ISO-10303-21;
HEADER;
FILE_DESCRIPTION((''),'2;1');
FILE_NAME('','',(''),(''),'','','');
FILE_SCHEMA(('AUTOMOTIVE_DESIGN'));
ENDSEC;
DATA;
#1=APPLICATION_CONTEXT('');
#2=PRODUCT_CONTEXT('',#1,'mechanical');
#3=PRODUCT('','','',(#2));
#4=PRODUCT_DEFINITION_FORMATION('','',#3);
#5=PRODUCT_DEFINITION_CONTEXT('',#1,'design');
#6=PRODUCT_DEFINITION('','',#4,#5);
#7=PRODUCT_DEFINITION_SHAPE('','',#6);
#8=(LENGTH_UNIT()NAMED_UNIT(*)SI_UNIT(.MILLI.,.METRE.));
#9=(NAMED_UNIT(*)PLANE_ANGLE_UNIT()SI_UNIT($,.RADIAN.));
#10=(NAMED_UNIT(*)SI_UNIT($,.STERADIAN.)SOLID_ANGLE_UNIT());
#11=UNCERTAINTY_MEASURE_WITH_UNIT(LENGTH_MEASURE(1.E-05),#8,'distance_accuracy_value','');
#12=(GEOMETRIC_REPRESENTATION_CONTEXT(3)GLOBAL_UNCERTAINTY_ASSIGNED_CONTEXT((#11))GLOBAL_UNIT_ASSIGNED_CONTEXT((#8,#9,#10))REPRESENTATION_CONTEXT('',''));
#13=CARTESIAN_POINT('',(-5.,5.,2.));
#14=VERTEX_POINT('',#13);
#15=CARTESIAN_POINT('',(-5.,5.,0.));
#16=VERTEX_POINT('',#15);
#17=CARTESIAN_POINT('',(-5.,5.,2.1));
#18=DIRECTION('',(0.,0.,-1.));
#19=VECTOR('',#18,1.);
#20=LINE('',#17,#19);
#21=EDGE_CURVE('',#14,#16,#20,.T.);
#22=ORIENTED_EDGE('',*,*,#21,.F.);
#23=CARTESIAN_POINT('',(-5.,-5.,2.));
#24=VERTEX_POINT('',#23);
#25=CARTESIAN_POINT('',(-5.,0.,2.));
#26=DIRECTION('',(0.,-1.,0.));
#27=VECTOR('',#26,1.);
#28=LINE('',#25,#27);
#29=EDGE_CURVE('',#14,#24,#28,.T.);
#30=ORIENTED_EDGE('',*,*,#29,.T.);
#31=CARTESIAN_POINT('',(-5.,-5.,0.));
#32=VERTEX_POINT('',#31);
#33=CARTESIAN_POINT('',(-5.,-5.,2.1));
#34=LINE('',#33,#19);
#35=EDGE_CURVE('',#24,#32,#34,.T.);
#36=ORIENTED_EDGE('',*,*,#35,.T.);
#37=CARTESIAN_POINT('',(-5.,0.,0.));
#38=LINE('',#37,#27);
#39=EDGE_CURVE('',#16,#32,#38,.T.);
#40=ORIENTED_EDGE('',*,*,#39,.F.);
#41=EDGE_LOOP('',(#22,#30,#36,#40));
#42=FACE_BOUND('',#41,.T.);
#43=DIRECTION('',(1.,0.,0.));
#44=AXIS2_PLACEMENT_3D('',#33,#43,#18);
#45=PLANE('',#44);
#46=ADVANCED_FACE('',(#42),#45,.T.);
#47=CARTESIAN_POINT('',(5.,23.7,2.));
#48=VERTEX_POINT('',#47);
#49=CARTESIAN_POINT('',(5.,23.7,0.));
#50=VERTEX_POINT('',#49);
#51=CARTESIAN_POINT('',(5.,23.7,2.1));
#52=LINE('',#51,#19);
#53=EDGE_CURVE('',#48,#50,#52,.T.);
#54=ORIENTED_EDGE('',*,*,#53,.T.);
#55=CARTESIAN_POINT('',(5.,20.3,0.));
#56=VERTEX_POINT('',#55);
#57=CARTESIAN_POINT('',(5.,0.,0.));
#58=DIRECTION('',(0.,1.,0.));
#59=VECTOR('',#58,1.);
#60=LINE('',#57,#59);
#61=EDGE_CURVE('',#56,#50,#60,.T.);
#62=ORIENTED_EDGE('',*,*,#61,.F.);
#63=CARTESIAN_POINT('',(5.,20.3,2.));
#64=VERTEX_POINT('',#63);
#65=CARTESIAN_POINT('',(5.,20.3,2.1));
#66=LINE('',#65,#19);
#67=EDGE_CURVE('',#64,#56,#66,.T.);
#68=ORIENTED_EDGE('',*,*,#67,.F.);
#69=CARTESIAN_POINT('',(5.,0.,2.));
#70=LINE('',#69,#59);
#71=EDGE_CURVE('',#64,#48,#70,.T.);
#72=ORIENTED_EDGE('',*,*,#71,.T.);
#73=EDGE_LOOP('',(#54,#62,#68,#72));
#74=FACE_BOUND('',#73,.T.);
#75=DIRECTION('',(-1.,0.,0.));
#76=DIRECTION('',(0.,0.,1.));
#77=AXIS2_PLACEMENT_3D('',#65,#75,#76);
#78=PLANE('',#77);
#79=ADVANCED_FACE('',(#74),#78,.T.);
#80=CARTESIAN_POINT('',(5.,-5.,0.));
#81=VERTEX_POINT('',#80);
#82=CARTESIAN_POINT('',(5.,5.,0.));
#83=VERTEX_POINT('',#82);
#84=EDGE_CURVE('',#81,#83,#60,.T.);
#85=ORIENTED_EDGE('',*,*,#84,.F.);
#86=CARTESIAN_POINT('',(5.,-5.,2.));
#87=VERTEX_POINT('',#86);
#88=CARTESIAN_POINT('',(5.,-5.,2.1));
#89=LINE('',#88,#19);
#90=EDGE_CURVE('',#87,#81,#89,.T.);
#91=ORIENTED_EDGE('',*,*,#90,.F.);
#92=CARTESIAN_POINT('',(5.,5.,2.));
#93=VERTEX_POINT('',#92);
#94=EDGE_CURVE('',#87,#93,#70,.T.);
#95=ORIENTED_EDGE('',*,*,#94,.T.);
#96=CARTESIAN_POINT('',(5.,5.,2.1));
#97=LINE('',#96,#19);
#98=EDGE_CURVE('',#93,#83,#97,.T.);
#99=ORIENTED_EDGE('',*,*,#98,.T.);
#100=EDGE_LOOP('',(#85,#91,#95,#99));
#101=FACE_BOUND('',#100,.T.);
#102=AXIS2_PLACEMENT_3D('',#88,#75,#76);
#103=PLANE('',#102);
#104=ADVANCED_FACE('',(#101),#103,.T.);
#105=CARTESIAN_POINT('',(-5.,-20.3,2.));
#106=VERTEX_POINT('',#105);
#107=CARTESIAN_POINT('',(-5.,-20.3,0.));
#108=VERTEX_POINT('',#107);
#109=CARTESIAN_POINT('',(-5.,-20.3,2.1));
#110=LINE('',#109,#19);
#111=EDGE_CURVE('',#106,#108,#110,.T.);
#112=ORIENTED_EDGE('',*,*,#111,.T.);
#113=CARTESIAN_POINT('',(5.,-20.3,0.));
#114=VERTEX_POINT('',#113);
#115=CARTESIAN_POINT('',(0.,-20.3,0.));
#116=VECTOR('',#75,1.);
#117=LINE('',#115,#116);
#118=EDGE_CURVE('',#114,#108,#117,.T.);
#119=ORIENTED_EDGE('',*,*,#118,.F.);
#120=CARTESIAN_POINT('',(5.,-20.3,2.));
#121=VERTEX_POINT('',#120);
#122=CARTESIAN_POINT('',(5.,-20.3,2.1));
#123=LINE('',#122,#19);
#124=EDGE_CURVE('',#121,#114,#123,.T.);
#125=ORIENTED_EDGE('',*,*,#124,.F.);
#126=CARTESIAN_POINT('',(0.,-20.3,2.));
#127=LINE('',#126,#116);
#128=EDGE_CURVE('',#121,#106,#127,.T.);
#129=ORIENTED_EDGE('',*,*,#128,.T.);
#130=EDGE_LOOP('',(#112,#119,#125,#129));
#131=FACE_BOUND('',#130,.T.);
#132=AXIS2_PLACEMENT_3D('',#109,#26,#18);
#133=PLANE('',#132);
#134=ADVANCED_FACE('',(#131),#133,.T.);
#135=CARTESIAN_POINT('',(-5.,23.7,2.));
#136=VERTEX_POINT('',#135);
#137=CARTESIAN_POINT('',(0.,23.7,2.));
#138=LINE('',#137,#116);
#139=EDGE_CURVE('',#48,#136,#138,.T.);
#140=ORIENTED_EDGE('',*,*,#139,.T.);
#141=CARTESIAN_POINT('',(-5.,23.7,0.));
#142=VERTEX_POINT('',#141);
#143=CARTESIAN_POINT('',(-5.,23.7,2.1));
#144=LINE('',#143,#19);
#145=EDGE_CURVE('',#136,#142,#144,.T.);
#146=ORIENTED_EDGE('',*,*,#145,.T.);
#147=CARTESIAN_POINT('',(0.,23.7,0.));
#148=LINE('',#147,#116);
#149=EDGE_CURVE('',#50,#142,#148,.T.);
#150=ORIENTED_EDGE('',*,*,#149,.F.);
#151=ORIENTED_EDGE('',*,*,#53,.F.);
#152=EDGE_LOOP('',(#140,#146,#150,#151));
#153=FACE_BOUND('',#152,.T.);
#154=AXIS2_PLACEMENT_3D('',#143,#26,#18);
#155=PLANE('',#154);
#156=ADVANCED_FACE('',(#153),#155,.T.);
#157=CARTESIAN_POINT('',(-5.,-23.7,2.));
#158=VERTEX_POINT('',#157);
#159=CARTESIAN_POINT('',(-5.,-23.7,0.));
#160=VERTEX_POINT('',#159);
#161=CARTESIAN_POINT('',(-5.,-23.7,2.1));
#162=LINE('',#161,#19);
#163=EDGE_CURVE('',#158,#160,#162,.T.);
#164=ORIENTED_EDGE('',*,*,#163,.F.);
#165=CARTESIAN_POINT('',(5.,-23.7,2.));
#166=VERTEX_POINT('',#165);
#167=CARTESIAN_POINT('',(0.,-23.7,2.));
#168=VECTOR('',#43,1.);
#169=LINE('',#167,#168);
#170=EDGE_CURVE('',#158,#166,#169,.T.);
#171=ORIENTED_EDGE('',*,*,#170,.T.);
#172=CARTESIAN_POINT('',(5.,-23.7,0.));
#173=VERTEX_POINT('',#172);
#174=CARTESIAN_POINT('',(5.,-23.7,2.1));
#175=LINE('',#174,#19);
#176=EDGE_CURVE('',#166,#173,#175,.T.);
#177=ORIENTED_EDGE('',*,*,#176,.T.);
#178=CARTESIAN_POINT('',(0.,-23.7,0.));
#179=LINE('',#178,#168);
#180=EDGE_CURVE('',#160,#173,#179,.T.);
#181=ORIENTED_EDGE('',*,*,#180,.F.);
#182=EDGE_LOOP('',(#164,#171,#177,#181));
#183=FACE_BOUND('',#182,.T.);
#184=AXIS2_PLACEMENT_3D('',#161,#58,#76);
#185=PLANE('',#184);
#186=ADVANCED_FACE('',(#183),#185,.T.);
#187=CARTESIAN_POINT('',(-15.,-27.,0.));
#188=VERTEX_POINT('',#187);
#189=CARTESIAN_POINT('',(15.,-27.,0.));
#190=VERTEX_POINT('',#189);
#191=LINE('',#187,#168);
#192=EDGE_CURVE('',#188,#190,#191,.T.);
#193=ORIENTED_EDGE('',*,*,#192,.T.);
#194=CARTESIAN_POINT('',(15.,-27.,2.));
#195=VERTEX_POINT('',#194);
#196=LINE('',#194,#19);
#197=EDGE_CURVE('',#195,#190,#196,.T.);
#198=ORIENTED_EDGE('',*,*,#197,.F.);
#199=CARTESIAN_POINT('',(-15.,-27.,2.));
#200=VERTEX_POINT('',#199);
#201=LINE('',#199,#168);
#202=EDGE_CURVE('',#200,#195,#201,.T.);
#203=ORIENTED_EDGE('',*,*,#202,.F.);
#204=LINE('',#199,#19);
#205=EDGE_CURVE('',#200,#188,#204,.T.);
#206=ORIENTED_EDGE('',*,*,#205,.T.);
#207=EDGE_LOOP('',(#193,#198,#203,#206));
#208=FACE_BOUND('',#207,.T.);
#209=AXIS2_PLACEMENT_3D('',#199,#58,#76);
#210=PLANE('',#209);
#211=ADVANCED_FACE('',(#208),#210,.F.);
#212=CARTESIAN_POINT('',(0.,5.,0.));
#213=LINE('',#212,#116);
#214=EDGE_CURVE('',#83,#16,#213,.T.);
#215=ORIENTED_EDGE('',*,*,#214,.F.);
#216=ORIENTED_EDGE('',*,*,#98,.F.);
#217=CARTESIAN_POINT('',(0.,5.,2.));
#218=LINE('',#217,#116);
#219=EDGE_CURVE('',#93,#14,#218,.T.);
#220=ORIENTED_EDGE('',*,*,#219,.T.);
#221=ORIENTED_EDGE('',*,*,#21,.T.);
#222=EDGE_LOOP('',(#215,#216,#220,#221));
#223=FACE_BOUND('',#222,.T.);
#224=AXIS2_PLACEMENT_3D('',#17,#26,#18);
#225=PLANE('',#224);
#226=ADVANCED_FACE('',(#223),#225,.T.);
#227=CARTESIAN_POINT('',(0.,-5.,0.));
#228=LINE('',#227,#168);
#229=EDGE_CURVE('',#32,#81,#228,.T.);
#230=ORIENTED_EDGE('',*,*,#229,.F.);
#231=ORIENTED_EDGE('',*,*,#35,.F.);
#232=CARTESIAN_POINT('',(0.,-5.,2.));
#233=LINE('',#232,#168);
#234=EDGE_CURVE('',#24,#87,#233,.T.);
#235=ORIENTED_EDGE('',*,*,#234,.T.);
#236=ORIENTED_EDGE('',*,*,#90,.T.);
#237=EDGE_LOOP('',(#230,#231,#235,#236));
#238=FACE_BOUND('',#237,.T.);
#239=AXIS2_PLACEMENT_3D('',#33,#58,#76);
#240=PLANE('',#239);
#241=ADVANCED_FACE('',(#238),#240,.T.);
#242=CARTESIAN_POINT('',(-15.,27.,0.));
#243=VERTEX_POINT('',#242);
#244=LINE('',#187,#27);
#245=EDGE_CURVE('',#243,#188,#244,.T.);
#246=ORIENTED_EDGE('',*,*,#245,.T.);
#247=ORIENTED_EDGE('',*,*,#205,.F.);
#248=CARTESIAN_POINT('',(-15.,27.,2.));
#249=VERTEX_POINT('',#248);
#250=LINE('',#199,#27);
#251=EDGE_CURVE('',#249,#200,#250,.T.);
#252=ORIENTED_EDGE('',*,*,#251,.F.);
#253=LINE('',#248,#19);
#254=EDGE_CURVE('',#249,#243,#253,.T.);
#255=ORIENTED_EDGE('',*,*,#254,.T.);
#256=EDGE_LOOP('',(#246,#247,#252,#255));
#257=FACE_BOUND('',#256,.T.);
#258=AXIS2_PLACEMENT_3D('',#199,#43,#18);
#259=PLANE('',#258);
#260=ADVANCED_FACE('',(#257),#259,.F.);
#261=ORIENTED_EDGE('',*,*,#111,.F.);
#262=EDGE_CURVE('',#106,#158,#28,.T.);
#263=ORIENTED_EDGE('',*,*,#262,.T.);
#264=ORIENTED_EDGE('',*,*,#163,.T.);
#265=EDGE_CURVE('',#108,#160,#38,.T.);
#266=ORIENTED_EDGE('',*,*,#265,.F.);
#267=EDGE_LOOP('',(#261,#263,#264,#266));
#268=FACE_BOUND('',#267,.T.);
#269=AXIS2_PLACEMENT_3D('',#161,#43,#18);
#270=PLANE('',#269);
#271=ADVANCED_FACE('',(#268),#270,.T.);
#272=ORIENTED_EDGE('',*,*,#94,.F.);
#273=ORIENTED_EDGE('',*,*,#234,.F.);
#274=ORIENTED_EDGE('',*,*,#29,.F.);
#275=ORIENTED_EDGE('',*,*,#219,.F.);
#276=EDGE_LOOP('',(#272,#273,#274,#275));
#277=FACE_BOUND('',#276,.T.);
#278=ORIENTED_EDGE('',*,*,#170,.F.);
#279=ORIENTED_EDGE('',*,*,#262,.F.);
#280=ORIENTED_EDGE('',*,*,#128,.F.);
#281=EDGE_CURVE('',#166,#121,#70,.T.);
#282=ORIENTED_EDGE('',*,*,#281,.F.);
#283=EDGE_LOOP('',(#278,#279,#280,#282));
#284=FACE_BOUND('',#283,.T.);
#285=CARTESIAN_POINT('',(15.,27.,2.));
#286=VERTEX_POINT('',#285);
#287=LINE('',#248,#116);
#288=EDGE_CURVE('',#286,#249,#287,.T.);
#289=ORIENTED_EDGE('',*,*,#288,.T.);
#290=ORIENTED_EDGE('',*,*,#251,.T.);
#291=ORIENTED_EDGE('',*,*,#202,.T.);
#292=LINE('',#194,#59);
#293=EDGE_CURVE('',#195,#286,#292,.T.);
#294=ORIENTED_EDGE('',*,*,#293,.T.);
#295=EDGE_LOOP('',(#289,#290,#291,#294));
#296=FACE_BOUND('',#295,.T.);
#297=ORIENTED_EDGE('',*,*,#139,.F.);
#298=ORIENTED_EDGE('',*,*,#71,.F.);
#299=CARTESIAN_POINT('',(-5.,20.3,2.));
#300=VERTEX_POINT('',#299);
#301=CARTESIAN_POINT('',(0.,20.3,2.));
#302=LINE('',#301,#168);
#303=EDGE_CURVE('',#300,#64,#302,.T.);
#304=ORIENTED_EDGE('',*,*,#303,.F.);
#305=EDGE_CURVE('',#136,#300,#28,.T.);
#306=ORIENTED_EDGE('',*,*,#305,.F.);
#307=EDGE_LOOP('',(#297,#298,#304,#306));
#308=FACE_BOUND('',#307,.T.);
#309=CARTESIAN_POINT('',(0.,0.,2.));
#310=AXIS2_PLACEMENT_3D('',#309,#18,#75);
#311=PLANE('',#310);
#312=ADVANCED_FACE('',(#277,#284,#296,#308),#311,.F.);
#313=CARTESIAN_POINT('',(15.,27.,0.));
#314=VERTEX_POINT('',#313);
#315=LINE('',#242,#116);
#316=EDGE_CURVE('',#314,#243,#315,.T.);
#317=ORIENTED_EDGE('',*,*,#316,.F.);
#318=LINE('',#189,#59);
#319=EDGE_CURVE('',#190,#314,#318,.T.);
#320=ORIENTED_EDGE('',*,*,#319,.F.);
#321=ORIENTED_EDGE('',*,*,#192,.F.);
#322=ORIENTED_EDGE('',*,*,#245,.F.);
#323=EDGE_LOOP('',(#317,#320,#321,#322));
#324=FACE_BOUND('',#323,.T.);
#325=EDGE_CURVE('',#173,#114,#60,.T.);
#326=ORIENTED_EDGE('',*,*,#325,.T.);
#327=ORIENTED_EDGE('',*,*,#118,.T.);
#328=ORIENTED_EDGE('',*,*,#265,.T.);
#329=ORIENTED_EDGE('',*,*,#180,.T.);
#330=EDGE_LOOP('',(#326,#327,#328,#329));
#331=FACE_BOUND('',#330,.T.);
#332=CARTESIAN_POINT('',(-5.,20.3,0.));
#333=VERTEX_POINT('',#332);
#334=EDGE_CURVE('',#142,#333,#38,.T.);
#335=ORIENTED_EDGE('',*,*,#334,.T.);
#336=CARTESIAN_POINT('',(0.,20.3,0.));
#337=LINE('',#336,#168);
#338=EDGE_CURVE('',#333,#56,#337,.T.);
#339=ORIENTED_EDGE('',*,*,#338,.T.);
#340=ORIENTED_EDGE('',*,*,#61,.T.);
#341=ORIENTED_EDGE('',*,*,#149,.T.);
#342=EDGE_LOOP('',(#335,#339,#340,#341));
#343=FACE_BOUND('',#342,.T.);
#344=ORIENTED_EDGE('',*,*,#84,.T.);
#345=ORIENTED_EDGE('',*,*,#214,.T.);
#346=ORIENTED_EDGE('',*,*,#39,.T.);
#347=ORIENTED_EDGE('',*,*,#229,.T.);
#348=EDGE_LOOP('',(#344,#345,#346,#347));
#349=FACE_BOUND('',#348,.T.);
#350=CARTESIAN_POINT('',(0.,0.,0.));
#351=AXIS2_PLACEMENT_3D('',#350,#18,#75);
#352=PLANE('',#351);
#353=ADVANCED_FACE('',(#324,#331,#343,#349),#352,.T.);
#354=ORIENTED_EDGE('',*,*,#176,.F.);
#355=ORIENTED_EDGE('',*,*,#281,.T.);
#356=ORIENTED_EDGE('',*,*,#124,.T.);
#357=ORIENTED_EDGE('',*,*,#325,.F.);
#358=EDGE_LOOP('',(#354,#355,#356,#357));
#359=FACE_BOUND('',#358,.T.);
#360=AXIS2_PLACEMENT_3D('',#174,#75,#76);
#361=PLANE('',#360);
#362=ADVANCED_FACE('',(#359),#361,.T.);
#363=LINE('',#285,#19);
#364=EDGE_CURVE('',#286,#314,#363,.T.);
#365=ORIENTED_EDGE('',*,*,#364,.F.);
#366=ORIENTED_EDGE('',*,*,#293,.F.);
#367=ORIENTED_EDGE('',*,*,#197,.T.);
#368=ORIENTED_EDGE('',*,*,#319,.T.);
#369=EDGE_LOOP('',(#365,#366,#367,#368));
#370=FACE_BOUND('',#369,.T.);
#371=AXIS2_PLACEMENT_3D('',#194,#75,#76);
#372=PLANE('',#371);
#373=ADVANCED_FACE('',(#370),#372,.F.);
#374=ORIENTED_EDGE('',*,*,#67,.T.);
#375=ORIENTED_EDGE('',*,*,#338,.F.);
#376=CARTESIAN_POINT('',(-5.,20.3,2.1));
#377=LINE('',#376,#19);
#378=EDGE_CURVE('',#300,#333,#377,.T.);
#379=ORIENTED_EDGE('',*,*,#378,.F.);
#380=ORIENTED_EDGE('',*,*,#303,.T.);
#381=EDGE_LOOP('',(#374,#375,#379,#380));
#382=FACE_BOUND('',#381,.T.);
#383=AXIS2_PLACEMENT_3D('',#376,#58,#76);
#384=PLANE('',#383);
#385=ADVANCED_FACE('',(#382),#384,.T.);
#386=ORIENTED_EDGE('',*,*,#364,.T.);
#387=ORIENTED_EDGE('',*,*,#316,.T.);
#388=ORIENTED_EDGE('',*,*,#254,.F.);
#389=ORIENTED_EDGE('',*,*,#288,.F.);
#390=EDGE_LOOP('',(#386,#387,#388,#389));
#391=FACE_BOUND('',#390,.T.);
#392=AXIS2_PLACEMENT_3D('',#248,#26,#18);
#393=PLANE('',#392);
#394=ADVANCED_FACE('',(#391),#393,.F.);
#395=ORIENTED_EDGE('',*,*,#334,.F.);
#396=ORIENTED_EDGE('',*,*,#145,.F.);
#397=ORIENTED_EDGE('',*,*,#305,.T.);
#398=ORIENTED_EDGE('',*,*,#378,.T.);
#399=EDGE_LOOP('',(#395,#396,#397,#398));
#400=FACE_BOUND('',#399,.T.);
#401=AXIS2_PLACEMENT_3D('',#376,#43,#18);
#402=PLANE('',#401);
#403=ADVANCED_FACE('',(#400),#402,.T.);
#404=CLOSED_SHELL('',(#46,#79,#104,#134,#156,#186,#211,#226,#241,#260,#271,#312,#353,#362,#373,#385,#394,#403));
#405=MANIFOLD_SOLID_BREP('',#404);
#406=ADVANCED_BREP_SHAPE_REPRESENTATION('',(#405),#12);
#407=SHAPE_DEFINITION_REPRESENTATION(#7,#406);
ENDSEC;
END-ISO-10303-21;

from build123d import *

# Parameters (mm, degrees)
SKETCH1_W                        = 30
SKETCH1_H                        = 54
PLATE_54X30_DEPTH                = 2
OPTICAL_WINDOW_10X10_START       = -0.1
SKETCH2_W                        = 10
SKETCH2_H                        = 10
OPTICAL_WINDOW_10X10_DEPTH       = 2.2
VERTICAL_M3_ADJUSTMENT_1_START   = -0.1
SKETCH3_W                        = 10
SKETCH3_H                        = 3.4
VERTICAL_M3_ADJUSTMENT_1_DEPTH   = 2.2
SKETCH4_W                        = 10
SKETCH4_H                        = 3.4
VERTICAL_M3_ADJUSTMENT_1_2_DEPTH = 2.2


with BuildPart() as part:
    # Sketch1 → Plate_54x30 (new body)
    with BuildSketch(Plane.XY):
        Rectangle(SKETCH1_W, SKETCH1_H)
    extrude(amount=PLATE_54X30_DEPTH)

    # Sketch2 → Optical_Window_10x10 (cut)
    with BuildSketch(Plane.XY.offset(OPTICAL_WINDOW_10X10_START)):
        Rectangle(SKETCH2_W, SKETCH2_H)
    extrude(amount=OPTICAL_WINDOW_10X10_DEPTH, mode=Mode.SUBTRACT)

    # Sketch3 → Vertical_M3_Adjustment_-1 (cut)
    with BuildSketch(Plane.XY.offset(VERTICAL_M3_ADJUSTMENT_1_START)):
        with Locations((0, -22)):
            Rectangle(SKETCH3_W, SKETCH3_H)
    extrude(amount=VERTICAL_M3_ADJUSTMENT_1_DEPTH, mode=Mode.SUBTRACT)

    # Sketch4 → Vertical_M3_Adjustment_1 2 (cut)
    with BuildSketch(Plane.XY.offset(VERTICAL_M3_ADJUSTMENT_1_START)):
        with Locations((0, 22)):
            Rectangle(SKETCH4_W, SKETCH4_H)
    extrude(amount=VERTICAL_M3_ADJUSTMENT_1_2_DEPTH, mode=Mode.SUBTRACT)


solid = part.part
